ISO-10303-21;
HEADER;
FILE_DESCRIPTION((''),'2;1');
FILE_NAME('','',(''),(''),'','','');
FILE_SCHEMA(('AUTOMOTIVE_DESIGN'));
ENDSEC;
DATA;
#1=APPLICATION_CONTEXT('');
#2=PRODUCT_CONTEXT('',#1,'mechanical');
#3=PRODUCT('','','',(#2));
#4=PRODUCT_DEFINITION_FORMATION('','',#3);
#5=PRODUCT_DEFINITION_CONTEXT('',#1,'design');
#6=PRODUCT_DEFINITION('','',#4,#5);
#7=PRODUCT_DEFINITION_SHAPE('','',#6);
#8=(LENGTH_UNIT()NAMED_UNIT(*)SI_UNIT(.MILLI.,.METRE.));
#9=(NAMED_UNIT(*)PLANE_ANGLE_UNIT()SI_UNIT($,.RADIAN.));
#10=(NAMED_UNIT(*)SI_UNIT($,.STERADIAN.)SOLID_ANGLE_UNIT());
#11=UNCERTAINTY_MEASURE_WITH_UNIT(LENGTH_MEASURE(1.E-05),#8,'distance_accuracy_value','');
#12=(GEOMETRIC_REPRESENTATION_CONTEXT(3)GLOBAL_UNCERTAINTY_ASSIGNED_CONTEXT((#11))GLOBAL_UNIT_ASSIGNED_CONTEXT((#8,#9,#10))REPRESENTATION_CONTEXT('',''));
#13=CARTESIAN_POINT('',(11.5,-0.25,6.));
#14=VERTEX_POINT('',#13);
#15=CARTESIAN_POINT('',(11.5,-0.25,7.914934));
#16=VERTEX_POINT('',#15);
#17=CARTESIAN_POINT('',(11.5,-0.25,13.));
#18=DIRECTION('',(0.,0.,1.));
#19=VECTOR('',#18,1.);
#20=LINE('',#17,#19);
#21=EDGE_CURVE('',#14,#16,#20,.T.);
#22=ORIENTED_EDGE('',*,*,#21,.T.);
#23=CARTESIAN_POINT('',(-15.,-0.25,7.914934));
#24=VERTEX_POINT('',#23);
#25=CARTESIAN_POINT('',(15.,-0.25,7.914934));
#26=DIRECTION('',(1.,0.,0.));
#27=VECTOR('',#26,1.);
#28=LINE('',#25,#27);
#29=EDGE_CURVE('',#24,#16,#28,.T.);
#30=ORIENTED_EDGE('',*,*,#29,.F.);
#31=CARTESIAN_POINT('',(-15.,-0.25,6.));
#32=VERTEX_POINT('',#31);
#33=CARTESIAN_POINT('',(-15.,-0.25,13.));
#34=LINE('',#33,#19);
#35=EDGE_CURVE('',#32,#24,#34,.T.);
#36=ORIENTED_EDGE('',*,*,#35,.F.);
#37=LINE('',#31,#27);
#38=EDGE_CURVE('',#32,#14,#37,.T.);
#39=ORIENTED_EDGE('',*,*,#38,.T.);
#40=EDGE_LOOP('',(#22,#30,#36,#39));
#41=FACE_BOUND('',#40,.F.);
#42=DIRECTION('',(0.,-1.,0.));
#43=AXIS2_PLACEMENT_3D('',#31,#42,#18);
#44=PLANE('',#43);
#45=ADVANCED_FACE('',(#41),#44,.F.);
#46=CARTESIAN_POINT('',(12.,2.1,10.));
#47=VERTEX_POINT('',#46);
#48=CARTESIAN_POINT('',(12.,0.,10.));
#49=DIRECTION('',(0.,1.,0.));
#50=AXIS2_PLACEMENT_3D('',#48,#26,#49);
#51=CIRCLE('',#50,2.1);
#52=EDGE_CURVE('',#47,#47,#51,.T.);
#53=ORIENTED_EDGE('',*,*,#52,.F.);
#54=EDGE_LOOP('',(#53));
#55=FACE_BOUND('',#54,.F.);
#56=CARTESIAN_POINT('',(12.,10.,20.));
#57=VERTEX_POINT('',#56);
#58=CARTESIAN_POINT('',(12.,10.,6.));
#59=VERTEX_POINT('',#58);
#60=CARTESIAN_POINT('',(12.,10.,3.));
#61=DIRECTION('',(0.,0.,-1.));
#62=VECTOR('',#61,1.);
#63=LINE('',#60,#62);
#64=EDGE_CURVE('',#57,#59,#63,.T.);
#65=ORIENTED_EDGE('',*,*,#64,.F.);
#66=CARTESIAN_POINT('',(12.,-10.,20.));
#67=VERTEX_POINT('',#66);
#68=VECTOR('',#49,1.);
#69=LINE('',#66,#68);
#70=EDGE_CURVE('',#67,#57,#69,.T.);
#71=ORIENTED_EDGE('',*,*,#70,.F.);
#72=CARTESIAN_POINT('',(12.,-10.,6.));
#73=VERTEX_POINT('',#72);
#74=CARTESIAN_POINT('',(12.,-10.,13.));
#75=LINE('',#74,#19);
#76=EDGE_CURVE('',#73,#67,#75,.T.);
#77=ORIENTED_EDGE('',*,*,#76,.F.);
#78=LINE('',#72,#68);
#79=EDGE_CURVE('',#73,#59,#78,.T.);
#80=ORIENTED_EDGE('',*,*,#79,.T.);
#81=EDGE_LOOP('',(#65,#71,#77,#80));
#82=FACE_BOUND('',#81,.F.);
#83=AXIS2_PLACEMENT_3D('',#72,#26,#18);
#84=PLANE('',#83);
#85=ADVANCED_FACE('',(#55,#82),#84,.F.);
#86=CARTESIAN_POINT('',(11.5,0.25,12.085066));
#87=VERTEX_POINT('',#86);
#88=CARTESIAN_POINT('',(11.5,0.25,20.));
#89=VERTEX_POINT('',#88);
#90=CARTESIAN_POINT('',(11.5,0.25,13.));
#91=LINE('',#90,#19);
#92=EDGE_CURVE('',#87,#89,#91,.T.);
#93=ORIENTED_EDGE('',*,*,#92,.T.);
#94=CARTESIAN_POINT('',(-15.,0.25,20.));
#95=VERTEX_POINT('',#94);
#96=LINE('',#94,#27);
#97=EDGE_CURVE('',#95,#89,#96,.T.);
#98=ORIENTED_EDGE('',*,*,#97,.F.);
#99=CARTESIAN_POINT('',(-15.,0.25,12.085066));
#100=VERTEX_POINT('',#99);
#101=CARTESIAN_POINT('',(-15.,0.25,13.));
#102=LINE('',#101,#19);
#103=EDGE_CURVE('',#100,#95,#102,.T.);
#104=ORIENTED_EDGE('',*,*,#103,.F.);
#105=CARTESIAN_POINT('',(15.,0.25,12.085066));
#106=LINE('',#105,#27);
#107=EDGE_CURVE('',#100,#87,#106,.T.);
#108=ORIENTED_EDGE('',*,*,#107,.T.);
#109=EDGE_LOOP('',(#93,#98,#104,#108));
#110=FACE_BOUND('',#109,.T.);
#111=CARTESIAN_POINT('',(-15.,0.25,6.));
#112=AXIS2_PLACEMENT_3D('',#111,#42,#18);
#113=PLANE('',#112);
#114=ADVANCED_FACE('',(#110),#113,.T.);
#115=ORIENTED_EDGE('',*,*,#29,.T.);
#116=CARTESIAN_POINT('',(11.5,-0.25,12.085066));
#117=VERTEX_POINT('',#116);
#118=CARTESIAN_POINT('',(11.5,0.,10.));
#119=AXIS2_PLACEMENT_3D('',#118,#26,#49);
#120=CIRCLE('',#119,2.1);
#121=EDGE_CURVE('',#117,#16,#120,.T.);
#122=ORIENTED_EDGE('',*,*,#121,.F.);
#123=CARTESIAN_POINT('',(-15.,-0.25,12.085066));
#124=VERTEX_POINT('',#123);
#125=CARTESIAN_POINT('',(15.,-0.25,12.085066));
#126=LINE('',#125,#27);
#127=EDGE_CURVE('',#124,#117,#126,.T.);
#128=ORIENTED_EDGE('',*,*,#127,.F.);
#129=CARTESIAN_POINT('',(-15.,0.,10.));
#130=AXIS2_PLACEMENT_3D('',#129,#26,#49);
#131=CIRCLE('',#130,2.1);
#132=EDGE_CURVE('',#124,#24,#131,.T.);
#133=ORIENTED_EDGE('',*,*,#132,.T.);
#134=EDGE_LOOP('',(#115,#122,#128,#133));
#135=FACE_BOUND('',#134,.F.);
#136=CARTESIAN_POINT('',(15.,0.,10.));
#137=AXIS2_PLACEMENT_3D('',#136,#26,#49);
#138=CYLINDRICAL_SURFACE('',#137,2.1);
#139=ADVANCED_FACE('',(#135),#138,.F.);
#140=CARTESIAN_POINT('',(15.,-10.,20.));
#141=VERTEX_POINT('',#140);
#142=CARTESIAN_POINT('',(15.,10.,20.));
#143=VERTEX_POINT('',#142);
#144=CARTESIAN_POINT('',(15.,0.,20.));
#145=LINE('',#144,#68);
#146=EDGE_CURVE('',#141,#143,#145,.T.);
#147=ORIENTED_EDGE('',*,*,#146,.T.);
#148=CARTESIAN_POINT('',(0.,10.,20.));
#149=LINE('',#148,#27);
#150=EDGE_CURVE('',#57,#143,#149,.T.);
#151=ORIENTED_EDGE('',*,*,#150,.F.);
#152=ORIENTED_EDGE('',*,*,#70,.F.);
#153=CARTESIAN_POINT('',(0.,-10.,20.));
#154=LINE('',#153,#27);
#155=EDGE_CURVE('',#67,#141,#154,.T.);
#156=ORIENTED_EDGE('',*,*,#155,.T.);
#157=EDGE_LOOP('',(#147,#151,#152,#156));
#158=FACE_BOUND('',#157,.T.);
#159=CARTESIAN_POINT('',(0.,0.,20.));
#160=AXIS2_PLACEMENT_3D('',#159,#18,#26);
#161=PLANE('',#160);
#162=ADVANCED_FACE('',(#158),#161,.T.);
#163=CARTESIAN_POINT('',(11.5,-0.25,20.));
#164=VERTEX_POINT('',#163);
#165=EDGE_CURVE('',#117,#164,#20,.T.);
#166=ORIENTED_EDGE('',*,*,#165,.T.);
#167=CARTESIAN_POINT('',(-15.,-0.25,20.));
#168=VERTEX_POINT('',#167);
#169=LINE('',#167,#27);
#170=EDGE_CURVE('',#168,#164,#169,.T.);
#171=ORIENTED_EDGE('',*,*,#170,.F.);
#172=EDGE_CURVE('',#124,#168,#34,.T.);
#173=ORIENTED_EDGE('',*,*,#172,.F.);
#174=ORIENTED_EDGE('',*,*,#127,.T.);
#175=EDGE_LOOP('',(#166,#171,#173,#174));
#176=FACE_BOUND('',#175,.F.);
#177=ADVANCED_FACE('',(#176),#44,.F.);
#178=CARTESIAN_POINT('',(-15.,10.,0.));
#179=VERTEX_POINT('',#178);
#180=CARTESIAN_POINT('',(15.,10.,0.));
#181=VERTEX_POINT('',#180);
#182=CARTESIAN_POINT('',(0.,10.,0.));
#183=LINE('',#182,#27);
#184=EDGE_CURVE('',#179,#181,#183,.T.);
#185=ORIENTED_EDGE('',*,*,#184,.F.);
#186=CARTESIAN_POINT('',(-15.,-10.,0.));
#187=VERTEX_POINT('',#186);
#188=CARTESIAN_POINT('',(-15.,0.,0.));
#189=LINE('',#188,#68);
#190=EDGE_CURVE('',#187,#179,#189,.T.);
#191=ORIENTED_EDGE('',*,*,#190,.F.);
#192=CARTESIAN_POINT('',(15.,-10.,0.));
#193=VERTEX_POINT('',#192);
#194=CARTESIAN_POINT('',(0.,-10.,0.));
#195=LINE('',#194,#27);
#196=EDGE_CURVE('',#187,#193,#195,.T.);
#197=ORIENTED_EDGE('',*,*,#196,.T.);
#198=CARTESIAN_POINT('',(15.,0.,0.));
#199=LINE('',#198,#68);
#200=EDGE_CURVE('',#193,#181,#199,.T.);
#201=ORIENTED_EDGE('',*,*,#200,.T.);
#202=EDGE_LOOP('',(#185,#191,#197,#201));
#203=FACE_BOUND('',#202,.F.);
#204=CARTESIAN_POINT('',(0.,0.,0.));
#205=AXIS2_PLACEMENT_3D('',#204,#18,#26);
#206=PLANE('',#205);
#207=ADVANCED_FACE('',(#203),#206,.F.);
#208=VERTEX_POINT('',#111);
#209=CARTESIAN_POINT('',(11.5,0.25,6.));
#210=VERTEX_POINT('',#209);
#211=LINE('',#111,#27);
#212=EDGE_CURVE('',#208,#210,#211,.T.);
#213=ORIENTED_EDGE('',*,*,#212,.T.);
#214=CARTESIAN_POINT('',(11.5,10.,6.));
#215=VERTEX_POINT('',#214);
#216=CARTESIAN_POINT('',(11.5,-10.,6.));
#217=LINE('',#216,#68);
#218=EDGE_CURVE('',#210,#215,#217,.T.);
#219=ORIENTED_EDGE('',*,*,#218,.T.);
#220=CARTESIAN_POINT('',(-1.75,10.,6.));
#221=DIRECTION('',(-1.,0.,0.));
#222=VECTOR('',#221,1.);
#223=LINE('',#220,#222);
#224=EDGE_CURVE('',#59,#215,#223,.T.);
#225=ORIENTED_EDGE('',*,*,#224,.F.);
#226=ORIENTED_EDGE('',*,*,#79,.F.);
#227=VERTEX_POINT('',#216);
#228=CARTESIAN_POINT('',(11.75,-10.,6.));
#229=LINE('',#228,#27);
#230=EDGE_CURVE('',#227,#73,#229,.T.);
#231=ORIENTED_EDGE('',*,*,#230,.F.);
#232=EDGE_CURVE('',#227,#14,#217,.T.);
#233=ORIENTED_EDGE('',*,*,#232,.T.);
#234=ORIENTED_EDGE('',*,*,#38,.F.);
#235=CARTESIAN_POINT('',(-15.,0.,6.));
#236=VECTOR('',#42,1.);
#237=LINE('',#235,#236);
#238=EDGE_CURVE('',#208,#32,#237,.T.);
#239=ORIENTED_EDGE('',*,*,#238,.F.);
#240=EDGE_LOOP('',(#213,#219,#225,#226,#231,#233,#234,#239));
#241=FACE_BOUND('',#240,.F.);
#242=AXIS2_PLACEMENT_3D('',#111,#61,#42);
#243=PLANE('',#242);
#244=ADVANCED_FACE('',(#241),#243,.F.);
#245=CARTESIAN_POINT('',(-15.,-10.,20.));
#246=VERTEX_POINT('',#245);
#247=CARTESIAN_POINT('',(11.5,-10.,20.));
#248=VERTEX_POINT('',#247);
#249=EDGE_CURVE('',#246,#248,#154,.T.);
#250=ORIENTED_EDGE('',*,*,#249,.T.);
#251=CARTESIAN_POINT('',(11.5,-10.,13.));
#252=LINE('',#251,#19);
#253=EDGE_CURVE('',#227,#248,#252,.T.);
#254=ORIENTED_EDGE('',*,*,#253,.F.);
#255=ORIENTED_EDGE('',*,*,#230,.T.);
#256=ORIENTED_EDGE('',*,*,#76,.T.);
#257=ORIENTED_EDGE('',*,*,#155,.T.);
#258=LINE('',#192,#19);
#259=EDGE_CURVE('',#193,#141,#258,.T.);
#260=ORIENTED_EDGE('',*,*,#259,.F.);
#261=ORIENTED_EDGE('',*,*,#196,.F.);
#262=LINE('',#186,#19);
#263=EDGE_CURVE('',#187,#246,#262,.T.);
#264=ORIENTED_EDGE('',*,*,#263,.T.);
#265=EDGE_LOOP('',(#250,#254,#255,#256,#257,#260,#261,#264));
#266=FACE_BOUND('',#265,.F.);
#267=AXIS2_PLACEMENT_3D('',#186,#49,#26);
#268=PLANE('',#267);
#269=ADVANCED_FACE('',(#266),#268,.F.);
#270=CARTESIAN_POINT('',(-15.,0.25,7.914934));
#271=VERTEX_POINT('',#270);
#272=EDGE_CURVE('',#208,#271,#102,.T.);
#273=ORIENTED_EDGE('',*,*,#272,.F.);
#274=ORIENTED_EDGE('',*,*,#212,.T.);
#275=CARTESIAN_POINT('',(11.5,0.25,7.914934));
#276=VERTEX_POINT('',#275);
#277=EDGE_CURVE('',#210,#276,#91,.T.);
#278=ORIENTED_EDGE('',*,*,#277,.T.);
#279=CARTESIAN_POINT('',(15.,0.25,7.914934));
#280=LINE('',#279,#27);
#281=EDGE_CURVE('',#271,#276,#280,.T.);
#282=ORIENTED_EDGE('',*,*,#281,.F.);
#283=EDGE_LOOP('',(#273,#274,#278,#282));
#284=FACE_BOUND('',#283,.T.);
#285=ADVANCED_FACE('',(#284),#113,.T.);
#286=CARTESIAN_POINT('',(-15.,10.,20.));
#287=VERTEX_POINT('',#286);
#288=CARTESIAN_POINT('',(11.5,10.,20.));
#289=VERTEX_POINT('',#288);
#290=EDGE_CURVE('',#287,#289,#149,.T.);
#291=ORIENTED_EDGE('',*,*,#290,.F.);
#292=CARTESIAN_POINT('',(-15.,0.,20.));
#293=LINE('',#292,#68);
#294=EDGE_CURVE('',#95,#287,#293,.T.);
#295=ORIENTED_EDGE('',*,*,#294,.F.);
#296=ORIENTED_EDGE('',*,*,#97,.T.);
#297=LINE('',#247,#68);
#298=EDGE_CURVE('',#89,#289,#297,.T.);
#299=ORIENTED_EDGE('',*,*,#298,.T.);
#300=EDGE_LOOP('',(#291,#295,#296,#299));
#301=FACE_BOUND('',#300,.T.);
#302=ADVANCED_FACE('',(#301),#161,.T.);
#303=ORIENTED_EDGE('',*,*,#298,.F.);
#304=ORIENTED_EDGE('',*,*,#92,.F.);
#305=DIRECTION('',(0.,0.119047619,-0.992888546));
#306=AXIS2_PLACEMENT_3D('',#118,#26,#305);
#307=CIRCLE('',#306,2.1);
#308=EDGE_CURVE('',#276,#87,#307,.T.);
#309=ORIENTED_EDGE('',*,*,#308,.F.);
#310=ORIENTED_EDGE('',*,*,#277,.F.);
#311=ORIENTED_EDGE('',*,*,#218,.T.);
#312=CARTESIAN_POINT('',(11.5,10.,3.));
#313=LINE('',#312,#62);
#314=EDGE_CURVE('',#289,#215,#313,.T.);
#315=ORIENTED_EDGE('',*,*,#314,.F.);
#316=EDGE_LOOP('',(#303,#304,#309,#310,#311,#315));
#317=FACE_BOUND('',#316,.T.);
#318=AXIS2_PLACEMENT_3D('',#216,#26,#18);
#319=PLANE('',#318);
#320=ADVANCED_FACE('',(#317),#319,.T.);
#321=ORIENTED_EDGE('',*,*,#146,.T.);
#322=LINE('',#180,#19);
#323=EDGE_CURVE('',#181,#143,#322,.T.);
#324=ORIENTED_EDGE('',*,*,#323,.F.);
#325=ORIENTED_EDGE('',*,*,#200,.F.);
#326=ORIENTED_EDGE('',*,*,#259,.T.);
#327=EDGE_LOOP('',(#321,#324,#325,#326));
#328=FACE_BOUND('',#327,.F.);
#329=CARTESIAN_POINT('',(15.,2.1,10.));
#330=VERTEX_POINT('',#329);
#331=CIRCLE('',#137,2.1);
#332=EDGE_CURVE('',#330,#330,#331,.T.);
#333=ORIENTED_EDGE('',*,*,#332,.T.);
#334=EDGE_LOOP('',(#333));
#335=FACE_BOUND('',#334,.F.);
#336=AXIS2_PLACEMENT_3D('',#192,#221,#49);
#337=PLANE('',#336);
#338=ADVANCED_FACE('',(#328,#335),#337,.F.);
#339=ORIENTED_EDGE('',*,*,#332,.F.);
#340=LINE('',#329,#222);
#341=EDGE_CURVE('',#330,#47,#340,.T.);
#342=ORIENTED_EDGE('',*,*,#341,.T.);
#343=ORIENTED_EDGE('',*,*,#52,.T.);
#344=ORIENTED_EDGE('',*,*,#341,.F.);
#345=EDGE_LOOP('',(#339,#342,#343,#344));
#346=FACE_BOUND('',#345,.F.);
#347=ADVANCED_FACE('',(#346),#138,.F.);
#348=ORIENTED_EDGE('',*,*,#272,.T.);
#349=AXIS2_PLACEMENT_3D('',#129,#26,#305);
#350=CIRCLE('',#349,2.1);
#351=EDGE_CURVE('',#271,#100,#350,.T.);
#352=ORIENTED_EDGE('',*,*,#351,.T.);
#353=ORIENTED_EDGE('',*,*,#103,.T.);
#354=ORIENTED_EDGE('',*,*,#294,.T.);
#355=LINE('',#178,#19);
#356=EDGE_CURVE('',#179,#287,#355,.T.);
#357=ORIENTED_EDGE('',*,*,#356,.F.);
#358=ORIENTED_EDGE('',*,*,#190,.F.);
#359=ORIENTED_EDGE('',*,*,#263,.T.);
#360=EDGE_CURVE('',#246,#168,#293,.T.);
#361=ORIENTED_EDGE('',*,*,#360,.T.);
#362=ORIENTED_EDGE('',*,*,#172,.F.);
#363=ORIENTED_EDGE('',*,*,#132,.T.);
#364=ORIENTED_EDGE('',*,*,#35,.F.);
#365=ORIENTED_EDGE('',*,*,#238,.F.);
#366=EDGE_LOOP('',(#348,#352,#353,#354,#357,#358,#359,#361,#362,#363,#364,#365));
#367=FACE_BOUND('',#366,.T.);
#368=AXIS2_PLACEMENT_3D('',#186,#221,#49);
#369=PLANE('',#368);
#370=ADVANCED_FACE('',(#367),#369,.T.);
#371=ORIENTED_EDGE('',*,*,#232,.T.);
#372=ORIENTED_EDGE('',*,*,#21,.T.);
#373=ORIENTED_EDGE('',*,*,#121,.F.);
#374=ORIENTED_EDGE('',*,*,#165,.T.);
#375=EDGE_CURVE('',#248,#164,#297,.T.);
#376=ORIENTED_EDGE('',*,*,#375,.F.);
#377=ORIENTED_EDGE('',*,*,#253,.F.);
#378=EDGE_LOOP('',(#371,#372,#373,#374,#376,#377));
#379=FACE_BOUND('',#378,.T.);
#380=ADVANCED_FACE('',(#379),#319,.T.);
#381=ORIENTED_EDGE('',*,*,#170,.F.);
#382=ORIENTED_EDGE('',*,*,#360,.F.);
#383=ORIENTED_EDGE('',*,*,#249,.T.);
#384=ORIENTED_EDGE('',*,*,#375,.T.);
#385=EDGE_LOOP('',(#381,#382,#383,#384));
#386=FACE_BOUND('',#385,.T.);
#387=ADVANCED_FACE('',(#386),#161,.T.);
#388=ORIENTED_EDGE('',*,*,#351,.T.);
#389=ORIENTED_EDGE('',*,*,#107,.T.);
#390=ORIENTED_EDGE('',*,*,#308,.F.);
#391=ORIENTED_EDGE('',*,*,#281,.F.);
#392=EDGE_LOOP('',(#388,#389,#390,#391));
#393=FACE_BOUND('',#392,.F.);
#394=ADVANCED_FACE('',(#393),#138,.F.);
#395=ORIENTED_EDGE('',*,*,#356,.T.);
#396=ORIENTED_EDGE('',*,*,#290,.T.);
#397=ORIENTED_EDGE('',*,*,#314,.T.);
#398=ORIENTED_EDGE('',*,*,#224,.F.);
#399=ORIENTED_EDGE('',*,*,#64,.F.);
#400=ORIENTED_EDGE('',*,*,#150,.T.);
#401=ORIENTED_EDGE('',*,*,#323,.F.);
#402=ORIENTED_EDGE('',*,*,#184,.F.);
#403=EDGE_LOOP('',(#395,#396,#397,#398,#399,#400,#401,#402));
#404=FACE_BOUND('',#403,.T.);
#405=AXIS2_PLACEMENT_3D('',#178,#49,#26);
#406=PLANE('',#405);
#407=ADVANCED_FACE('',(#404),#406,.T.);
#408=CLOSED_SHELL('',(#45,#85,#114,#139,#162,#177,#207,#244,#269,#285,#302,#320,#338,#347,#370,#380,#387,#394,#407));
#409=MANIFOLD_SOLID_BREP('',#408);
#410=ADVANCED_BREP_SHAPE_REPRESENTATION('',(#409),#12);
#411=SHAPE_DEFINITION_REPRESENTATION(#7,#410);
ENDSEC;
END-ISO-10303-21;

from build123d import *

# Parameters (mm, degrees)
SKETCH_W        = 30
SKETCH_H        = 20
PAD_DEPTH       = 20
SKETCH001_W     = 0.5
SKETCH001_H     = 14
POCKET_DEPTH    = 20.001
SKETCH002_R     = 2.1
POCKET001_DEPTH = 30.001
SKETCH003_W     = 0.5
SKETCH003_H     = 14
POCKET002_DEPTH = 26.5


with BuildPart() as part:
    # Sketch → Pad (new body)
    with BuildSketch(Plane.XY):
        Rectangle(SKETCH_W, SKETCH_H)
    extrude(amount=PAD_DEPTH)

    # Sketch001 (on Face2 of Pad) → Pocket (cut, through all)
    with BuildSketch(Plane.XZ.offset(10)):
        with Locations((11.75, 13)):
            Rectangle(SKETCH001_W, SKETCH001_H)
    extrude(amount=-POCKET_DEPTH, mode=Mode.SUBTRACT)

    # Sketch002 (on Face10 of Pocket) → Pocket001 (cut, through all)
    with BuildSketch(Plane.YZ.offset(15)):
        with Locations((0, 10)):
            Circle(SKETCH002_R)
    extrude(amount=-POCKET001_DEPTH, mode=Mode.SUBTRACT)

    # Sketch003 (on Face1 of Pocket001) → Pocket002 (cut)
    with BuildSketch(Plane(origin=(-15, 0, 0), x_dir=(0, -1, 0), z_dir=(-1, 0, 0))):
        with Locations((0, 13)):
            Rectangle(SKETCH003_W, SKETCH003_H)
    extrude(amount=-POCKET002_DEPTH, mode=Mode.SUBTRACT)


solid = part.part
